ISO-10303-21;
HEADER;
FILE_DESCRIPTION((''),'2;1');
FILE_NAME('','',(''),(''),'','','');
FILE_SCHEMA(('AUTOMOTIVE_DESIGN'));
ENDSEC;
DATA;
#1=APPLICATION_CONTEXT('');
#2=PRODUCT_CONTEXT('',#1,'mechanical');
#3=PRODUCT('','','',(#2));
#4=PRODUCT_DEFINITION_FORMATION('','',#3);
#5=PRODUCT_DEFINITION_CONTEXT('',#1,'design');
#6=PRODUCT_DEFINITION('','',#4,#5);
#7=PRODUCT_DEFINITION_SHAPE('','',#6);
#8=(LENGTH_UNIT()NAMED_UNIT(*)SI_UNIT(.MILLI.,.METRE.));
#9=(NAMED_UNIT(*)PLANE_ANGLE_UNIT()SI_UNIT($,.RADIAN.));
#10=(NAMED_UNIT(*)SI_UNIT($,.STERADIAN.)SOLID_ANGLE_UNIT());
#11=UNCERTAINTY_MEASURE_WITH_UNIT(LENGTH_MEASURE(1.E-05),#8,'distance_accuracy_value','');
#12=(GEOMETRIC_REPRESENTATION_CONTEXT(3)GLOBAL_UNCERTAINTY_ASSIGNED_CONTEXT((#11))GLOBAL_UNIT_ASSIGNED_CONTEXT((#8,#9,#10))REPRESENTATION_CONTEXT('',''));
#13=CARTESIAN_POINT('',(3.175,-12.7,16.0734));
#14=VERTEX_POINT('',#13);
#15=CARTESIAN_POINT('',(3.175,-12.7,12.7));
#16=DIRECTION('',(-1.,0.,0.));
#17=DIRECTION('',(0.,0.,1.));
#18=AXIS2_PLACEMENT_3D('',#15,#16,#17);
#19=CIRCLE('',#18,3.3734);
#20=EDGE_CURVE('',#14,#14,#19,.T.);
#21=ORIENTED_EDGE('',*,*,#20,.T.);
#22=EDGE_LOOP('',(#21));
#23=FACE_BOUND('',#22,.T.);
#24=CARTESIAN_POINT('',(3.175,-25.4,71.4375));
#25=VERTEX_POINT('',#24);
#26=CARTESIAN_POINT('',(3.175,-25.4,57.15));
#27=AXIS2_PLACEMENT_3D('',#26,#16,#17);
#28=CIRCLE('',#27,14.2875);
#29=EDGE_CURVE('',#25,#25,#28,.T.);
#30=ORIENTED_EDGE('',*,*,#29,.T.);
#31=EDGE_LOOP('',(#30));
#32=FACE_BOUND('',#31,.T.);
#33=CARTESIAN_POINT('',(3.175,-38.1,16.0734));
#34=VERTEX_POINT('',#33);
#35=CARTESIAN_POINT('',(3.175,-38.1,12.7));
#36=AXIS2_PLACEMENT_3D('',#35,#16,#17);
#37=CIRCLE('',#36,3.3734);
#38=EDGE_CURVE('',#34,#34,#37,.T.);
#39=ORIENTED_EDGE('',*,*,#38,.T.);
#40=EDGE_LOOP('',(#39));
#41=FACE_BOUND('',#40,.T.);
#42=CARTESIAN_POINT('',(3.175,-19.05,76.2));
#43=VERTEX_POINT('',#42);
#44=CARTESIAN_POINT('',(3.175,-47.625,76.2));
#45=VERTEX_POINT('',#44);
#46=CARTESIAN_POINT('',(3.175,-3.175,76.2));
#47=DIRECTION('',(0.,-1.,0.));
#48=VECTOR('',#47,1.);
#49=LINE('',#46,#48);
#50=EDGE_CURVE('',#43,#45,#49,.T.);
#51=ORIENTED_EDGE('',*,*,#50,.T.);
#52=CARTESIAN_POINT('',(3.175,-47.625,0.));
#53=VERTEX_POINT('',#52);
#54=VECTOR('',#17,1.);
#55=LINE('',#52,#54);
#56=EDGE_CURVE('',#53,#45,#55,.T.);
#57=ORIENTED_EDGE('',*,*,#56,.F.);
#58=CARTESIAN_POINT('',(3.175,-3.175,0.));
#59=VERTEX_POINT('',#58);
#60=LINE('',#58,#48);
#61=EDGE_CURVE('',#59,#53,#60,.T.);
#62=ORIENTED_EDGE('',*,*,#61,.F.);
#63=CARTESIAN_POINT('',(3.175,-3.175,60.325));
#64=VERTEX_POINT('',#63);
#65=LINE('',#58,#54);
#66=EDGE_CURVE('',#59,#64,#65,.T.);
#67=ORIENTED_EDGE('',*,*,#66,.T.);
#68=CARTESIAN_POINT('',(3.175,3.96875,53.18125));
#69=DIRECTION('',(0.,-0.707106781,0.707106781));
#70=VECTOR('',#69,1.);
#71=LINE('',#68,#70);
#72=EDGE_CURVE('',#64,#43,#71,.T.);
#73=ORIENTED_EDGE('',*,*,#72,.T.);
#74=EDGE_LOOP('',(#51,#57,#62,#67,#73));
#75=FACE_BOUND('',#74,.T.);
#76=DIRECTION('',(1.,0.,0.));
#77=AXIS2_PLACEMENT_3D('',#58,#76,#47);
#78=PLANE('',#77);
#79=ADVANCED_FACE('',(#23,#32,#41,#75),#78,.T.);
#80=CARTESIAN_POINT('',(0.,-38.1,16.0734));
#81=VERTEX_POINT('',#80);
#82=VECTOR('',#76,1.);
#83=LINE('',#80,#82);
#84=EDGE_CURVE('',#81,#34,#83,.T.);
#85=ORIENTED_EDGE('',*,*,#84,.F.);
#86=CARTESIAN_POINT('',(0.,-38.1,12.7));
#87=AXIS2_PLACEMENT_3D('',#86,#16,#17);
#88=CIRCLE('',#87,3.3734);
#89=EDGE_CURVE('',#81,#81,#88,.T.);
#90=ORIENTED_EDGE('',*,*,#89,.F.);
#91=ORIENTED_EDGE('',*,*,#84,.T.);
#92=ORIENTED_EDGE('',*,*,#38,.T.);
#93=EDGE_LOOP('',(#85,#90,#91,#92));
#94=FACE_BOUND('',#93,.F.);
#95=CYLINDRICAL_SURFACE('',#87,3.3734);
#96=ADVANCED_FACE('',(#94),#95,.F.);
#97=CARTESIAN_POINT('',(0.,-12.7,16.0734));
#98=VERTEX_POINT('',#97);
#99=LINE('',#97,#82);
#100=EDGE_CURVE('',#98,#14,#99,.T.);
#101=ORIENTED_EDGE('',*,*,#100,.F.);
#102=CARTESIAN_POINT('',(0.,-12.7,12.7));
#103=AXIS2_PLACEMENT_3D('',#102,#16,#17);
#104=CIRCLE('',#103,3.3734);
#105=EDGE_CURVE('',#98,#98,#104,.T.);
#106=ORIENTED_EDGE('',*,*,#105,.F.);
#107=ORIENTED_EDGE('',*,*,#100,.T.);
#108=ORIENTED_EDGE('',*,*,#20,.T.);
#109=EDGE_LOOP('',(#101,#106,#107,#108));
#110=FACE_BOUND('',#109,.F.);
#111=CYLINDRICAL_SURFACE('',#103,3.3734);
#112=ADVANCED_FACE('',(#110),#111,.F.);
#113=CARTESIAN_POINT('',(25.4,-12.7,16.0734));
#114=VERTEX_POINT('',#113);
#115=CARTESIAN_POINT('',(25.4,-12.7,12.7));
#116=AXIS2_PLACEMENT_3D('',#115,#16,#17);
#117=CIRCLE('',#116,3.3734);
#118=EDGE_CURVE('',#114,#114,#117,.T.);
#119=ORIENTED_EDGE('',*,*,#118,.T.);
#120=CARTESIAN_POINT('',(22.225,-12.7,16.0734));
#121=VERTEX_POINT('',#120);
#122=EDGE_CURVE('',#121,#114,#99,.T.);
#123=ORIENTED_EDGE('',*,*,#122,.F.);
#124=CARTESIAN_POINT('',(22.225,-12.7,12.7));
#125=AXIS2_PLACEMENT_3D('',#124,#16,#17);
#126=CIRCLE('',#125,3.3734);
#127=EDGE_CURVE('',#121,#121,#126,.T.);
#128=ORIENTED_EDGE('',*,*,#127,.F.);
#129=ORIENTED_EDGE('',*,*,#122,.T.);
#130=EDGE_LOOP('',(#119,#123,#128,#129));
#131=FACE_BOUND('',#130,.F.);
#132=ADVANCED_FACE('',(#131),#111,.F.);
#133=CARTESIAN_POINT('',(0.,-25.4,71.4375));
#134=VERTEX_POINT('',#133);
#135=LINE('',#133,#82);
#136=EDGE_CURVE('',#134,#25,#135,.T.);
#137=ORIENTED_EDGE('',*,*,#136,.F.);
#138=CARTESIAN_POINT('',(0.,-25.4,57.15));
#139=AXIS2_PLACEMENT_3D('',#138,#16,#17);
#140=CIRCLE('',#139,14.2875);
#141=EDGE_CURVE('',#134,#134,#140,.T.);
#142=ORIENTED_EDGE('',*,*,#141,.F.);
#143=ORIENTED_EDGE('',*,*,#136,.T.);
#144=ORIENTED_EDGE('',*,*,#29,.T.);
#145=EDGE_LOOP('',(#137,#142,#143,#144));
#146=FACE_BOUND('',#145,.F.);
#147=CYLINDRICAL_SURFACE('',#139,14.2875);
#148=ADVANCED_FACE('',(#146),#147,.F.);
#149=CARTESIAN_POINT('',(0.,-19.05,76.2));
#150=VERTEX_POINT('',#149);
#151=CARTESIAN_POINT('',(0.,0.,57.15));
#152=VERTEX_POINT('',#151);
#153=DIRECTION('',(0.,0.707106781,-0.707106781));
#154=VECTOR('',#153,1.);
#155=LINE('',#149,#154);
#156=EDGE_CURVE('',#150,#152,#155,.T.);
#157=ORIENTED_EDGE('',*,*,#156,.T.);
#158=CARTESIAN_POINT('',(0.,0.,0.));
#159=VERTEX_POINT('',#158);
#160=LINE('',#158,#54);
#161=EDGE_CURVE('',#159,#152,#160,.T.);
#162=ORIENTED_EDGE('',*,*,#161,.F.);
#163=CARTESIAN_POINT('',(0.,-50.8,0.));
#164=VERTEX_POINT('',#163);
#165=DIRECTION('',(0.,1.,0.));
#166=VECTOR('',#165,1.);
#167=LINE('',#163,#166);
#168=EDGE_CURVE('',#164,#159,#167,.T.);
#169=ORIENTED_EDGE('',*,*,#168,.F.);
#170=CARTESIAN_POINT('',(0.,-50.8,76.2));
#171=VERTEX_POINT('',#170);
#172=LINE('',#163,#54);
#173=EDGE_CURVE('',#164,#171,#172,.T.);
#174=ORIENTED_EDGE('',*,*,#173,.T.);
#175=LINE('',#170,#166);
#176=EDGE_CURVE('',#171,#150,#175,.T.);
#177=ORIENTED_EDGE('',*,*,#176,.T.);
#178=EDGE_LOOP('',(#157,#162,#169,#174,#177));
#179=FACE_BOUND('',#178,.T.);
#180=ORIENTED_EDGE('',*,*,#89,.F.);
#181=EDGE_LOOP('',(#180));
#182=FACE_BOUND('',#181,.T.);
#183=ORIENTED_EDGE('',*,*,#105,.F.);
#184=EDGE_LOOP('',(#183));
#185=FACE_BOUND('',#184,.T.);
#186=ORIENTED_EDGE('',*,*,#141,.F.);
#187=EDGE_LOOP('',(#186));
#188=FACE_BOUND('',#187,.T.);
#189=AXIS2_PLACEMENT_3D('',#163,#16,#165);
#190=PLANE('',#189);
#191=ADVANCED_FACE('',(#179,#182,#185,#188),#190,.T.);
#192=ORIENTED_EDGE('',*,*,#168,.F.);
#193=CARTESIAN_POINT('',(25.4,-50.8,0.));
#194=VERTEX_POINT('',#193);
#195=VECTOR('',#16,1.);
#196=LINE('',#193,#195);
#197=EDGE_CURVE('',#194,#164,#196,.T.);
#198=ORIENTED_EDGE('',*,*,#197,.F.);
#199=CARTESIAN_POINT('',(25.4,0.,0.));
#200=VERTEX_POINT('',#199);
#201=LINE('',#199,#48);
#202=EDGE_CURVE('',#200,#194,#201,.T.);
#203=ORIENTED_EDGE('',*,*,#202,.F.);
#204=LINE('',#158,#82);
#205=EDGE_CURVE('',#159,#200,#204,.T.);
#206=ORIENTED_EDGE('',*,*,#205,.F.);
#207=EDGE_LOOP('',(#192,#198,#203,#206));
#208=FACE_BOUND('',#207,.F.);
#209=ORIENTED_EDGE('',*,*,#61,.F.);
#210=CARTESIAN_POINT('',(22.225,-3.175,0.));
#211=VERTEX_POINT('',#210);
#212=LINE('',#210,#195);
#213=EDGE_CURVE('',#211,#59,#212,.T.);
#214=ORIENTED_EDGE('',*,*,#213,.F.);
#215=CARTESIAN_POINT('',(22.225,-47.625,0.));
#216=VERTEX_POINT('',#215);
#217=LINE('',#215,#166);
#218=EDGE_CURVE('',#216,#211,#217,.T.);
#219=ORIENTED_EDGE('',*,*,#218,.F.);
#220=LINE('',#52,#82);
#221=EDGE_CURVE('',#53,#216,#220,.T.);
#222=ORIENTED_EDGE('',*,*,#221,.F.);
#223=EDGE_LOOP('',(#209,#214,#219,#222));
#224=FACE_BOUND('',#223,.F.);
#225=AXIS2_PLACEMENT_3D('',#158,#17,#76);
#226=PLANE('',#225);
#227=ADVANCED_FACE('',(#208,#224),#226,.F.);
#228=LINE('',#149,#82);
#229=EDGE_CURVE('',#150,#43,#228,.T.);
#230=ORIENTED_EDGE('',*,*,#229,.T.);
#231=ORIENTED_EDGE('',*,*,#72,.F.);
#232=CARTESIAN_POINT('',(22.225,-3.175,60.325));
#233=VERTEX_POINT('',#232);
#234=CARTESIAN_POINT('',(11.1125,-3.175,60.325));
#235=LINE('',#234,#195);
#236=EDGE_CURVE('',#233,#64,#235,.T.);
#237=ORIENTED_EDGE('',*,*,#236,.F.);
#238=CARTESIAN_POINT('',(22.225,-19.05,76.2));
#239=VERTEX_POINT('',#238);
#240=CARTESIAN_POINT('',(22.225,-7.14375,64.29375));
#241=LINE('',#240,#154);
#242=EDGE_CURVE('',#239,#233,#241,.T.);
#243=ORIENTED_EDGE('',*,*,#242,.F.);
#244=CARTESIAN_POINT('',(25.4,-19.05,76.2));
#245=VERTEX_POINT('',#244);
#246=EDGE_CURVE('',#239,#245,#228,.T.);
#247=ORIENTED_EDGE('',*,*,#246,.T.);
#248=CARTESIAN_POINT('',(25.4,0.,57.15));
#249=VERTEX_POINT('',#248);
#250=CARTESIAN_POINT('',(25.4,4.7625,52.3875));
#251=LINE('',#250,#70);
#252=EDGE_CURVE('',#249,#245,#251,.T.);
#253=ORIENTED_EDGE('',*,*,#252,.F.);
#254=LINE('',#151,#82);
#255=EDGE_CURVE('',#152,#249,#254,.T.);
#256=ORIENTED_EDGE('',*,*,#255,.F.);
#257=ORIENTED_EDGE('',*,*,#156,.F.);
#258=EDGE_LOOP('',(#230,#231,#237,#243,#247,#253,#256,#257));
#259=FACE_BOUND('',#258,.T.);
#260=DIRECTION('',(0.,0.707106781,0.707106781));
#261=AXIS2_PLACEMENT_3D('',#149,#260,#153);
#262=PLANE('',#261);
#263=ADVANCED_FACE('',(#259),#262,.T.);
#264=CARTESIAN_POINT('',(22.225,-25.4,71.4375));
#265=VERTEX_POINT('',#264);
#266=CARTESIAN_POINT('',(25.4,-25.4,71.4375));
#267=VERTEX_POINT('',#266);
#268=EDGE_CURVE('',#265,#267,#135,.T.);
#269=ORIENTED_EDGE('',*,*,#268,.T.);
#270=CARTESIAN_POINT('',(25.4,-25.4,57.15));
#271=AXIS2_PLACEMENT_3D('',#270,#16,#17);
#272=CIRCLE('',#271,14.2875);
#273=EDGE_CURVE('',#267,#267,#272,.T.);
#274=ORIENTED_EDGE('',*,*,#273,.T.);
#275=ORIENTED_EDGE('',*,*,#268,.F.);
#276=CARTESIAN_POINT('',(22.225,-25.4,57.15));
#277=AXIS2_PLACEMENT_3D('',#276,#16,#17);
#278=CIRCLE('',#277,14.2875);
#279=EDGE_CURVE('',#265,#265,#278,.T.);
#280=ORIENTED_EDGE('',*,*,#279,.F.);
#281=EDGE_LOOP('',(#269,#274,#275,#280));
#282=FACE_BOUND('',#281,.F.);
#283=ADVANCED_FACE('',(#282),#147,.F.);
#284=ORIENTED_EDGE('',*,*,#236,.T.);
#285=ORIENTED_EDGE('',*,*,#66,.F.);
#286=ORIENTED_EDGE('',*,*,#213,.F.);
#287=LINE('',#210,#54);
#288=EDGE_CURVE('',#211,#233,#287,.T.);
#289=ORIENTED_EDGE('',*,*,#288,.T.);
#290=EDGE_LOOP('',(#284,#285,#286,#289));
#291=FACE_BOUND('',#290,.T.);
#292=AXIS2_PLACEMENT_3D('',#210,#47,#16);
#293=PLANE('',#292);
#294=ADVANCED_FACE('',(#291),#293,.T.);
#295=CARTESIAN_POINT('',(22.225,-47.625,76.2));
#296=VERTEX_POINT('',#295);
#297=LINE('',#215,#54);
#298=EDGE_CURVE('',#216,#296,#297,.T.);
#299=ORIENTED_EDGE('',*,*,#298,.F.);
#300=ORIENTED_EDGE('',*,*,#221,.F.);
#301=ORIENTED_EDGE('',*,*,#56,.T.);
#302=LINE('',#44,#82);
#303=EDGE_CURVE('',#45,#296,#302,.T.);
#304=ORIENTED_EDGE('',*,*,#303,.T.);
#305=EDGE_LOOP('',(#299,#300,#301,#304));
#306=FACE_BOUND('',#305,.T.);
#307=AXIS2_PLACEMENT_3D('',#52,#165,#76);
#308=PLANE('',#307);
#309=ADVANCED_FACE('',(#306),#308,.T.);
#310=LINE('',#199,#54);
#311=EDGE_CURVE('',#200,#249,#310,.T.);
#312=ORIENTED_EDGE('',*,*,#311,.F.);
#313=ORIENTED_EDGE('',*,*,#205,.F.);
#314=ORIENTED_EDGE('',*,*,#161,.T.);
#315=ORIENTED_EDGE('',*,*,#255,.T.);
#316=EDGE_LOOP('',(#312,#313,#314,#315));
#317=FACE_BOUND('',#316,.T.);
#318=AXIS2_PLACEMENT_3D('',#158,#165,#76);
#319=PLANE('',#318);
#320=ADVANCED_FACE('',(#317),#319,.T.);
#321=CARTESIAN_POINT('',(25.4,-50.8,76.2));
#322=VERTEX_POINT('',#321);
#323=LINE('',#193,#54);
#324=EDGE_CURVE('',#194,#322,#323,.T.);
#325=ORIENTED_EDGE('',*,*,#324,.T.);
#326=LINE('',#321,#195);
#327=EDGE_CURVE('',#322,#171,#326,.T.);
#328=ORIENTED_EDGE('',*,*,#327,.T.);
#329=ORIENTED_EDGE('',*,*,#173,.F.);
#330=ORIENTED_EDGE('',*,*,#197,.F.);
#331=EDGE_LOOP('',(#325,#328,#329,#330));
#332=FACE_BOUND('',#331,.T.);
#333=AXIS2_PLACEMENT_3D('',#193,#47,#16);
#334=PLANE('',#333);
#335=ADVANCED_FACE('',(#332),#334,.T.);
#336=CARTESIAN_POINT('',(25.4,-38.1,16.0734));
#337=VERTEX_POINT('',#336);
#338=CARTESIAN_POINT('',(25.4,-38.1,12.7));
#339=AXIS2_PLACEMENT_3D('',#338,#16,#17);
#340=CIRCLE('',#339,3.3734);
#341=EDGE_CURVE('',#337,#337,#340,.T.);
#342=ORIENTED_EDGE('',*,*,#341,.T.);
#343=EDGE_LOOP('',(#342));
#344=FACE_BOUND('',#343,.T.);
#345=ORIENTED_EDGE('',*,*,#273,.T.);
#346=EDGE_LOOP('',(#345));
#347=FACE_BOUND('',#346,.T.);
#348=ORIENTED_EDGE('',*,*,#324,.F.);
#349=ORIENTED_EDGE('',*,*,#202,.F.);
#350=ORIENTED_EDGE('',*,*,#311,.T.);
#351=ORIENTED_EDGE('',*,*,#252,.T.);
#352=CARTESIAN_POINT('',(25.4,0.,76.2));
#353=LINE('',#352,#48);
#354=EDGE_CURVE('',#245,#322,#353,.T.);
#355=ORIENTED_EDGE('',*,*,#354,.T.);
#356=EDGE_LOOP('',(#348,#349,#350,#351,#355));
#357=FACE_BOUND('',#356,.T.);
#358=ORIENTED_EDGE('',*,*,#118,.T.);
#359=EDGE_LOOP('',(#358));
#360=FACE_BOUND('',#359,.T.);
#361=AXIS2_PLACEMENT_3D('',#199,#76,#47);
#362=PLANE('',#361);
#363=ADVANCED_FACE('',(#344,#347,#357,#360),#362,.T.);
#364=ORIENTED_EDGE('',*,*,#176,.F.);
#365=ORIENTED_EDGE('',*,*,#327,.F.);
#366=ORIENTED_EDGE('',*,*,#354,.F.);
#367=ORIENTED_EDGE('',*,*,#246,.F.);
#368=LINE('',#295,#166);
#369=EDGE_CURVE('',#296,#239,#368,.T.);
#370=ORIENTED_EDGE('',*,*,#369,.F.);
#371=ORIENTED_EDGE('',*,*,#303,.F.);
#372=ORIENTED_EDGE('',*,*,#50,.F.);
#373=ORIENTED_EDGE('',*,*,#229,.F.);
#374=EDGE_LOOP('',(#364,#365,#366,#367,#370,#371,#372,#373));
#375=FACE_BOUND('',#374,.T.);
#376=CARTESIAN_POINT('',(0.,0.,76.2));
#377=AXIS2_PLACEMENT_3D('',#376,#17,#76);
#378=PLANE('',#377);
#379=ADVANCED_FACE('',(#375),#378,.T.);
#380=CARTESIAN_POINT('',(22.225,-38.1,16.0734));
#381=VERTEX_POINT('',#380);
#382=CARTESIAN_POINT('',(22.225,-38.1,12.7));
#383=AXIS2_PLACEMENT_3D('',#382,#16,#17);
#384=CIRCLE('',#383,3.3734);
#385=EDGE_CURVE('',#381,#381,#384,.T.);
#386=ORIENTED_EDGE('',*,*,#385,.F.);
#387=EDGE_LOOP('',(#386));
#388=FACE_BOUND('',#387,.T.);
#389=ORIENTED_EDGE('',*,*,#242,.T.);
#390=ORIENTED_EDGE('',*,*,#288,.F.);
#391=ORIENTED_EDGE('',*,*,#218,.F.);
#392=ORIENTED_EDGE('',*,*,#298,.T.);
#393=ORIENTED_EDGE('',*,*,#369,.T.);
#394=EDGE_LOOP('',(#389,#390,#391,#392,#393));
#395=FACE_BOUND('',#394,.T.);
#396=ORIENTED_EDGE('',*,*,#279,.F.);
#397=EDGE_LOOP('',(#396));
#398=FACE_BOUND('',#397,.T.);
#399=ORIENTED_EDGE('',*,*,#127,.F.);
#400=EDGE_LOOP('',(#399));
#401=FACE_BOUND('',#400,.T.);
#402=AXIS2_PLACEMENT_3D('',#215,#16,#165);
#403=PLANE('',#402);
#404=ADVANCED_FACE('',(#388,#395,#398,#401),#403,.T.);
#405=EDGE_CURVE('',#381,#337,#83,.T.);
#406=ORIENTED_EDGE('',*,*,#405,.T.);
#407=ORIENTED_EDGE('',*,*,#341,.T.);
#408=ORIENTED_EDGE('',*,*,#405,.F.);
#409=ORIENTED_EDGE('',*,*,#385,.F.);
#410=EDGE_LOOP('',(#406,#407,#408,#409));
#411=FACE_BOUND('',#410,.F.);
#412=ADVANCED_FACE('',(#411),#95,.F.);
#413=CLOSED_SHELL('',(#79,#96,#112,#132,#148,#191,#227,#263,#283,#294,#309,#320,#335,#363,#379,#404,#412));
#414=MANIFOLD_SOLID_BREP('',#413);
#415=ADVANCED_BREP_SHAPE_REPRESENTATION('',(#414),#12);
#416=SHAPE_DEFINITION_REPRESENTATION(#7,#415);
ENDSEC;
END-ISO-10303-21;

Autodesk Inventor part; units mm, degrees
ref_plane "YZ Plane" through (0, 0, 0) normal (1, 0, 0) x (0, 1, 0)
ref_plane "XZ Plane" through (0, 0, 0) normal (0, 1, 0) x (-1, 0, 0)
ref_plane "XY Plane" through (0, 0, 0) normal (0, 0, 1) x (1, 0, 0)
sketch "Sketch1" plane through (0, 0, 0) normal (0, 0, 1) x (1, 0, 0)
  line L0 (0, 0) -> (25.4, 0)
  line L1 (25.4, 0) -> (25.4, -50.8)
  line L2 (25.4, -50.8) -> (0, -50.8)
  line L3 (0, -50.8) -> (0, 0)
  line L4 (22.225, -3.175) -> (3.175, -3.175)
  line L5 (3.175, -3.175) -> (3.175, -47.625)
  line L6 (3.175, -47.625) -> (22.225, -47.625)
  line L7 (22.225, -47.625) -> (22.225, -3.175)
  dimension "d0" = 25.4
  dimension "d1" = 50.8
  dimension "d2" = 3.175
  dimension "d3" = 3.175
  dimension "d4" = 3.175
  dimension "d5" = 3.175
extrude "Extrusion1" add sketch "Sketch1" along normal blind 76.2
sketch "Sketch2" plane through (0, -50.8, 0) normal (-1, 0, 0) x (0, 0, 1)
  circle A0 centre (57.15, 25.4) radius 14.2875
  line L0 (76.2, 50.8) -> (76.2, 0) projected
  line L1 (0, 50.8) -> (76.2, 50.8) projected
  dimension "d8" = 28.575
  dimension "d9" = 19.05
  dimension "d10" = 25.4
extrude "Extrusion2" cut sketch "Sketch2" against normal through all
sketch "Sketch3" plane through (0, -50.8, 0) normal (-1, 0, 0) x (0, 0, 1)
  line L0 (76.2, 47.625) -> (76.2, 3.175) projected
  line L1 (76.2, 31.75) -> (57.15, 50.8)
  line L2 (0, 50.8) -> (76.2, 50.8) projected
  line L3 (76.2, 0) -> (76.2, 50.8) projected
  line L4 (57.15, 50.8) -> (76.2, 50.8)
  line L5 (76.2, 50.8) -> (76.2, 31.75)
  dimension "d13" = 135
  dimension "d14" = 19.05
extrude "Extrusion3" cut sketch "Sketch3" against normal through all
sketch "Sketch4" plane through (0, -50.8, 0) normal (-1, 0, 0) x (0, 0, 1)
  circle A0 centre (12.7, 12.7) radius 3.3734
  circle A1 centre (12.7, 38.1) radius 3.3734
  line L0 (0, 50.8) -> (57.15, 50.8) projected
  line L1 (0, 0) -> (0, 50.8) projected
  dimension "d17" = 6.7469
  dimension "d18" = 12.7
  dimension "d19" = 38.1
  dimension "d20" = 12.7
  dimension "d21" = 12.7
extrude "Extrusion4" cut sketch "Sketch4" against normal blind 25.4
properties part number "flywheelsupport2" material "Aluminum 6061"
